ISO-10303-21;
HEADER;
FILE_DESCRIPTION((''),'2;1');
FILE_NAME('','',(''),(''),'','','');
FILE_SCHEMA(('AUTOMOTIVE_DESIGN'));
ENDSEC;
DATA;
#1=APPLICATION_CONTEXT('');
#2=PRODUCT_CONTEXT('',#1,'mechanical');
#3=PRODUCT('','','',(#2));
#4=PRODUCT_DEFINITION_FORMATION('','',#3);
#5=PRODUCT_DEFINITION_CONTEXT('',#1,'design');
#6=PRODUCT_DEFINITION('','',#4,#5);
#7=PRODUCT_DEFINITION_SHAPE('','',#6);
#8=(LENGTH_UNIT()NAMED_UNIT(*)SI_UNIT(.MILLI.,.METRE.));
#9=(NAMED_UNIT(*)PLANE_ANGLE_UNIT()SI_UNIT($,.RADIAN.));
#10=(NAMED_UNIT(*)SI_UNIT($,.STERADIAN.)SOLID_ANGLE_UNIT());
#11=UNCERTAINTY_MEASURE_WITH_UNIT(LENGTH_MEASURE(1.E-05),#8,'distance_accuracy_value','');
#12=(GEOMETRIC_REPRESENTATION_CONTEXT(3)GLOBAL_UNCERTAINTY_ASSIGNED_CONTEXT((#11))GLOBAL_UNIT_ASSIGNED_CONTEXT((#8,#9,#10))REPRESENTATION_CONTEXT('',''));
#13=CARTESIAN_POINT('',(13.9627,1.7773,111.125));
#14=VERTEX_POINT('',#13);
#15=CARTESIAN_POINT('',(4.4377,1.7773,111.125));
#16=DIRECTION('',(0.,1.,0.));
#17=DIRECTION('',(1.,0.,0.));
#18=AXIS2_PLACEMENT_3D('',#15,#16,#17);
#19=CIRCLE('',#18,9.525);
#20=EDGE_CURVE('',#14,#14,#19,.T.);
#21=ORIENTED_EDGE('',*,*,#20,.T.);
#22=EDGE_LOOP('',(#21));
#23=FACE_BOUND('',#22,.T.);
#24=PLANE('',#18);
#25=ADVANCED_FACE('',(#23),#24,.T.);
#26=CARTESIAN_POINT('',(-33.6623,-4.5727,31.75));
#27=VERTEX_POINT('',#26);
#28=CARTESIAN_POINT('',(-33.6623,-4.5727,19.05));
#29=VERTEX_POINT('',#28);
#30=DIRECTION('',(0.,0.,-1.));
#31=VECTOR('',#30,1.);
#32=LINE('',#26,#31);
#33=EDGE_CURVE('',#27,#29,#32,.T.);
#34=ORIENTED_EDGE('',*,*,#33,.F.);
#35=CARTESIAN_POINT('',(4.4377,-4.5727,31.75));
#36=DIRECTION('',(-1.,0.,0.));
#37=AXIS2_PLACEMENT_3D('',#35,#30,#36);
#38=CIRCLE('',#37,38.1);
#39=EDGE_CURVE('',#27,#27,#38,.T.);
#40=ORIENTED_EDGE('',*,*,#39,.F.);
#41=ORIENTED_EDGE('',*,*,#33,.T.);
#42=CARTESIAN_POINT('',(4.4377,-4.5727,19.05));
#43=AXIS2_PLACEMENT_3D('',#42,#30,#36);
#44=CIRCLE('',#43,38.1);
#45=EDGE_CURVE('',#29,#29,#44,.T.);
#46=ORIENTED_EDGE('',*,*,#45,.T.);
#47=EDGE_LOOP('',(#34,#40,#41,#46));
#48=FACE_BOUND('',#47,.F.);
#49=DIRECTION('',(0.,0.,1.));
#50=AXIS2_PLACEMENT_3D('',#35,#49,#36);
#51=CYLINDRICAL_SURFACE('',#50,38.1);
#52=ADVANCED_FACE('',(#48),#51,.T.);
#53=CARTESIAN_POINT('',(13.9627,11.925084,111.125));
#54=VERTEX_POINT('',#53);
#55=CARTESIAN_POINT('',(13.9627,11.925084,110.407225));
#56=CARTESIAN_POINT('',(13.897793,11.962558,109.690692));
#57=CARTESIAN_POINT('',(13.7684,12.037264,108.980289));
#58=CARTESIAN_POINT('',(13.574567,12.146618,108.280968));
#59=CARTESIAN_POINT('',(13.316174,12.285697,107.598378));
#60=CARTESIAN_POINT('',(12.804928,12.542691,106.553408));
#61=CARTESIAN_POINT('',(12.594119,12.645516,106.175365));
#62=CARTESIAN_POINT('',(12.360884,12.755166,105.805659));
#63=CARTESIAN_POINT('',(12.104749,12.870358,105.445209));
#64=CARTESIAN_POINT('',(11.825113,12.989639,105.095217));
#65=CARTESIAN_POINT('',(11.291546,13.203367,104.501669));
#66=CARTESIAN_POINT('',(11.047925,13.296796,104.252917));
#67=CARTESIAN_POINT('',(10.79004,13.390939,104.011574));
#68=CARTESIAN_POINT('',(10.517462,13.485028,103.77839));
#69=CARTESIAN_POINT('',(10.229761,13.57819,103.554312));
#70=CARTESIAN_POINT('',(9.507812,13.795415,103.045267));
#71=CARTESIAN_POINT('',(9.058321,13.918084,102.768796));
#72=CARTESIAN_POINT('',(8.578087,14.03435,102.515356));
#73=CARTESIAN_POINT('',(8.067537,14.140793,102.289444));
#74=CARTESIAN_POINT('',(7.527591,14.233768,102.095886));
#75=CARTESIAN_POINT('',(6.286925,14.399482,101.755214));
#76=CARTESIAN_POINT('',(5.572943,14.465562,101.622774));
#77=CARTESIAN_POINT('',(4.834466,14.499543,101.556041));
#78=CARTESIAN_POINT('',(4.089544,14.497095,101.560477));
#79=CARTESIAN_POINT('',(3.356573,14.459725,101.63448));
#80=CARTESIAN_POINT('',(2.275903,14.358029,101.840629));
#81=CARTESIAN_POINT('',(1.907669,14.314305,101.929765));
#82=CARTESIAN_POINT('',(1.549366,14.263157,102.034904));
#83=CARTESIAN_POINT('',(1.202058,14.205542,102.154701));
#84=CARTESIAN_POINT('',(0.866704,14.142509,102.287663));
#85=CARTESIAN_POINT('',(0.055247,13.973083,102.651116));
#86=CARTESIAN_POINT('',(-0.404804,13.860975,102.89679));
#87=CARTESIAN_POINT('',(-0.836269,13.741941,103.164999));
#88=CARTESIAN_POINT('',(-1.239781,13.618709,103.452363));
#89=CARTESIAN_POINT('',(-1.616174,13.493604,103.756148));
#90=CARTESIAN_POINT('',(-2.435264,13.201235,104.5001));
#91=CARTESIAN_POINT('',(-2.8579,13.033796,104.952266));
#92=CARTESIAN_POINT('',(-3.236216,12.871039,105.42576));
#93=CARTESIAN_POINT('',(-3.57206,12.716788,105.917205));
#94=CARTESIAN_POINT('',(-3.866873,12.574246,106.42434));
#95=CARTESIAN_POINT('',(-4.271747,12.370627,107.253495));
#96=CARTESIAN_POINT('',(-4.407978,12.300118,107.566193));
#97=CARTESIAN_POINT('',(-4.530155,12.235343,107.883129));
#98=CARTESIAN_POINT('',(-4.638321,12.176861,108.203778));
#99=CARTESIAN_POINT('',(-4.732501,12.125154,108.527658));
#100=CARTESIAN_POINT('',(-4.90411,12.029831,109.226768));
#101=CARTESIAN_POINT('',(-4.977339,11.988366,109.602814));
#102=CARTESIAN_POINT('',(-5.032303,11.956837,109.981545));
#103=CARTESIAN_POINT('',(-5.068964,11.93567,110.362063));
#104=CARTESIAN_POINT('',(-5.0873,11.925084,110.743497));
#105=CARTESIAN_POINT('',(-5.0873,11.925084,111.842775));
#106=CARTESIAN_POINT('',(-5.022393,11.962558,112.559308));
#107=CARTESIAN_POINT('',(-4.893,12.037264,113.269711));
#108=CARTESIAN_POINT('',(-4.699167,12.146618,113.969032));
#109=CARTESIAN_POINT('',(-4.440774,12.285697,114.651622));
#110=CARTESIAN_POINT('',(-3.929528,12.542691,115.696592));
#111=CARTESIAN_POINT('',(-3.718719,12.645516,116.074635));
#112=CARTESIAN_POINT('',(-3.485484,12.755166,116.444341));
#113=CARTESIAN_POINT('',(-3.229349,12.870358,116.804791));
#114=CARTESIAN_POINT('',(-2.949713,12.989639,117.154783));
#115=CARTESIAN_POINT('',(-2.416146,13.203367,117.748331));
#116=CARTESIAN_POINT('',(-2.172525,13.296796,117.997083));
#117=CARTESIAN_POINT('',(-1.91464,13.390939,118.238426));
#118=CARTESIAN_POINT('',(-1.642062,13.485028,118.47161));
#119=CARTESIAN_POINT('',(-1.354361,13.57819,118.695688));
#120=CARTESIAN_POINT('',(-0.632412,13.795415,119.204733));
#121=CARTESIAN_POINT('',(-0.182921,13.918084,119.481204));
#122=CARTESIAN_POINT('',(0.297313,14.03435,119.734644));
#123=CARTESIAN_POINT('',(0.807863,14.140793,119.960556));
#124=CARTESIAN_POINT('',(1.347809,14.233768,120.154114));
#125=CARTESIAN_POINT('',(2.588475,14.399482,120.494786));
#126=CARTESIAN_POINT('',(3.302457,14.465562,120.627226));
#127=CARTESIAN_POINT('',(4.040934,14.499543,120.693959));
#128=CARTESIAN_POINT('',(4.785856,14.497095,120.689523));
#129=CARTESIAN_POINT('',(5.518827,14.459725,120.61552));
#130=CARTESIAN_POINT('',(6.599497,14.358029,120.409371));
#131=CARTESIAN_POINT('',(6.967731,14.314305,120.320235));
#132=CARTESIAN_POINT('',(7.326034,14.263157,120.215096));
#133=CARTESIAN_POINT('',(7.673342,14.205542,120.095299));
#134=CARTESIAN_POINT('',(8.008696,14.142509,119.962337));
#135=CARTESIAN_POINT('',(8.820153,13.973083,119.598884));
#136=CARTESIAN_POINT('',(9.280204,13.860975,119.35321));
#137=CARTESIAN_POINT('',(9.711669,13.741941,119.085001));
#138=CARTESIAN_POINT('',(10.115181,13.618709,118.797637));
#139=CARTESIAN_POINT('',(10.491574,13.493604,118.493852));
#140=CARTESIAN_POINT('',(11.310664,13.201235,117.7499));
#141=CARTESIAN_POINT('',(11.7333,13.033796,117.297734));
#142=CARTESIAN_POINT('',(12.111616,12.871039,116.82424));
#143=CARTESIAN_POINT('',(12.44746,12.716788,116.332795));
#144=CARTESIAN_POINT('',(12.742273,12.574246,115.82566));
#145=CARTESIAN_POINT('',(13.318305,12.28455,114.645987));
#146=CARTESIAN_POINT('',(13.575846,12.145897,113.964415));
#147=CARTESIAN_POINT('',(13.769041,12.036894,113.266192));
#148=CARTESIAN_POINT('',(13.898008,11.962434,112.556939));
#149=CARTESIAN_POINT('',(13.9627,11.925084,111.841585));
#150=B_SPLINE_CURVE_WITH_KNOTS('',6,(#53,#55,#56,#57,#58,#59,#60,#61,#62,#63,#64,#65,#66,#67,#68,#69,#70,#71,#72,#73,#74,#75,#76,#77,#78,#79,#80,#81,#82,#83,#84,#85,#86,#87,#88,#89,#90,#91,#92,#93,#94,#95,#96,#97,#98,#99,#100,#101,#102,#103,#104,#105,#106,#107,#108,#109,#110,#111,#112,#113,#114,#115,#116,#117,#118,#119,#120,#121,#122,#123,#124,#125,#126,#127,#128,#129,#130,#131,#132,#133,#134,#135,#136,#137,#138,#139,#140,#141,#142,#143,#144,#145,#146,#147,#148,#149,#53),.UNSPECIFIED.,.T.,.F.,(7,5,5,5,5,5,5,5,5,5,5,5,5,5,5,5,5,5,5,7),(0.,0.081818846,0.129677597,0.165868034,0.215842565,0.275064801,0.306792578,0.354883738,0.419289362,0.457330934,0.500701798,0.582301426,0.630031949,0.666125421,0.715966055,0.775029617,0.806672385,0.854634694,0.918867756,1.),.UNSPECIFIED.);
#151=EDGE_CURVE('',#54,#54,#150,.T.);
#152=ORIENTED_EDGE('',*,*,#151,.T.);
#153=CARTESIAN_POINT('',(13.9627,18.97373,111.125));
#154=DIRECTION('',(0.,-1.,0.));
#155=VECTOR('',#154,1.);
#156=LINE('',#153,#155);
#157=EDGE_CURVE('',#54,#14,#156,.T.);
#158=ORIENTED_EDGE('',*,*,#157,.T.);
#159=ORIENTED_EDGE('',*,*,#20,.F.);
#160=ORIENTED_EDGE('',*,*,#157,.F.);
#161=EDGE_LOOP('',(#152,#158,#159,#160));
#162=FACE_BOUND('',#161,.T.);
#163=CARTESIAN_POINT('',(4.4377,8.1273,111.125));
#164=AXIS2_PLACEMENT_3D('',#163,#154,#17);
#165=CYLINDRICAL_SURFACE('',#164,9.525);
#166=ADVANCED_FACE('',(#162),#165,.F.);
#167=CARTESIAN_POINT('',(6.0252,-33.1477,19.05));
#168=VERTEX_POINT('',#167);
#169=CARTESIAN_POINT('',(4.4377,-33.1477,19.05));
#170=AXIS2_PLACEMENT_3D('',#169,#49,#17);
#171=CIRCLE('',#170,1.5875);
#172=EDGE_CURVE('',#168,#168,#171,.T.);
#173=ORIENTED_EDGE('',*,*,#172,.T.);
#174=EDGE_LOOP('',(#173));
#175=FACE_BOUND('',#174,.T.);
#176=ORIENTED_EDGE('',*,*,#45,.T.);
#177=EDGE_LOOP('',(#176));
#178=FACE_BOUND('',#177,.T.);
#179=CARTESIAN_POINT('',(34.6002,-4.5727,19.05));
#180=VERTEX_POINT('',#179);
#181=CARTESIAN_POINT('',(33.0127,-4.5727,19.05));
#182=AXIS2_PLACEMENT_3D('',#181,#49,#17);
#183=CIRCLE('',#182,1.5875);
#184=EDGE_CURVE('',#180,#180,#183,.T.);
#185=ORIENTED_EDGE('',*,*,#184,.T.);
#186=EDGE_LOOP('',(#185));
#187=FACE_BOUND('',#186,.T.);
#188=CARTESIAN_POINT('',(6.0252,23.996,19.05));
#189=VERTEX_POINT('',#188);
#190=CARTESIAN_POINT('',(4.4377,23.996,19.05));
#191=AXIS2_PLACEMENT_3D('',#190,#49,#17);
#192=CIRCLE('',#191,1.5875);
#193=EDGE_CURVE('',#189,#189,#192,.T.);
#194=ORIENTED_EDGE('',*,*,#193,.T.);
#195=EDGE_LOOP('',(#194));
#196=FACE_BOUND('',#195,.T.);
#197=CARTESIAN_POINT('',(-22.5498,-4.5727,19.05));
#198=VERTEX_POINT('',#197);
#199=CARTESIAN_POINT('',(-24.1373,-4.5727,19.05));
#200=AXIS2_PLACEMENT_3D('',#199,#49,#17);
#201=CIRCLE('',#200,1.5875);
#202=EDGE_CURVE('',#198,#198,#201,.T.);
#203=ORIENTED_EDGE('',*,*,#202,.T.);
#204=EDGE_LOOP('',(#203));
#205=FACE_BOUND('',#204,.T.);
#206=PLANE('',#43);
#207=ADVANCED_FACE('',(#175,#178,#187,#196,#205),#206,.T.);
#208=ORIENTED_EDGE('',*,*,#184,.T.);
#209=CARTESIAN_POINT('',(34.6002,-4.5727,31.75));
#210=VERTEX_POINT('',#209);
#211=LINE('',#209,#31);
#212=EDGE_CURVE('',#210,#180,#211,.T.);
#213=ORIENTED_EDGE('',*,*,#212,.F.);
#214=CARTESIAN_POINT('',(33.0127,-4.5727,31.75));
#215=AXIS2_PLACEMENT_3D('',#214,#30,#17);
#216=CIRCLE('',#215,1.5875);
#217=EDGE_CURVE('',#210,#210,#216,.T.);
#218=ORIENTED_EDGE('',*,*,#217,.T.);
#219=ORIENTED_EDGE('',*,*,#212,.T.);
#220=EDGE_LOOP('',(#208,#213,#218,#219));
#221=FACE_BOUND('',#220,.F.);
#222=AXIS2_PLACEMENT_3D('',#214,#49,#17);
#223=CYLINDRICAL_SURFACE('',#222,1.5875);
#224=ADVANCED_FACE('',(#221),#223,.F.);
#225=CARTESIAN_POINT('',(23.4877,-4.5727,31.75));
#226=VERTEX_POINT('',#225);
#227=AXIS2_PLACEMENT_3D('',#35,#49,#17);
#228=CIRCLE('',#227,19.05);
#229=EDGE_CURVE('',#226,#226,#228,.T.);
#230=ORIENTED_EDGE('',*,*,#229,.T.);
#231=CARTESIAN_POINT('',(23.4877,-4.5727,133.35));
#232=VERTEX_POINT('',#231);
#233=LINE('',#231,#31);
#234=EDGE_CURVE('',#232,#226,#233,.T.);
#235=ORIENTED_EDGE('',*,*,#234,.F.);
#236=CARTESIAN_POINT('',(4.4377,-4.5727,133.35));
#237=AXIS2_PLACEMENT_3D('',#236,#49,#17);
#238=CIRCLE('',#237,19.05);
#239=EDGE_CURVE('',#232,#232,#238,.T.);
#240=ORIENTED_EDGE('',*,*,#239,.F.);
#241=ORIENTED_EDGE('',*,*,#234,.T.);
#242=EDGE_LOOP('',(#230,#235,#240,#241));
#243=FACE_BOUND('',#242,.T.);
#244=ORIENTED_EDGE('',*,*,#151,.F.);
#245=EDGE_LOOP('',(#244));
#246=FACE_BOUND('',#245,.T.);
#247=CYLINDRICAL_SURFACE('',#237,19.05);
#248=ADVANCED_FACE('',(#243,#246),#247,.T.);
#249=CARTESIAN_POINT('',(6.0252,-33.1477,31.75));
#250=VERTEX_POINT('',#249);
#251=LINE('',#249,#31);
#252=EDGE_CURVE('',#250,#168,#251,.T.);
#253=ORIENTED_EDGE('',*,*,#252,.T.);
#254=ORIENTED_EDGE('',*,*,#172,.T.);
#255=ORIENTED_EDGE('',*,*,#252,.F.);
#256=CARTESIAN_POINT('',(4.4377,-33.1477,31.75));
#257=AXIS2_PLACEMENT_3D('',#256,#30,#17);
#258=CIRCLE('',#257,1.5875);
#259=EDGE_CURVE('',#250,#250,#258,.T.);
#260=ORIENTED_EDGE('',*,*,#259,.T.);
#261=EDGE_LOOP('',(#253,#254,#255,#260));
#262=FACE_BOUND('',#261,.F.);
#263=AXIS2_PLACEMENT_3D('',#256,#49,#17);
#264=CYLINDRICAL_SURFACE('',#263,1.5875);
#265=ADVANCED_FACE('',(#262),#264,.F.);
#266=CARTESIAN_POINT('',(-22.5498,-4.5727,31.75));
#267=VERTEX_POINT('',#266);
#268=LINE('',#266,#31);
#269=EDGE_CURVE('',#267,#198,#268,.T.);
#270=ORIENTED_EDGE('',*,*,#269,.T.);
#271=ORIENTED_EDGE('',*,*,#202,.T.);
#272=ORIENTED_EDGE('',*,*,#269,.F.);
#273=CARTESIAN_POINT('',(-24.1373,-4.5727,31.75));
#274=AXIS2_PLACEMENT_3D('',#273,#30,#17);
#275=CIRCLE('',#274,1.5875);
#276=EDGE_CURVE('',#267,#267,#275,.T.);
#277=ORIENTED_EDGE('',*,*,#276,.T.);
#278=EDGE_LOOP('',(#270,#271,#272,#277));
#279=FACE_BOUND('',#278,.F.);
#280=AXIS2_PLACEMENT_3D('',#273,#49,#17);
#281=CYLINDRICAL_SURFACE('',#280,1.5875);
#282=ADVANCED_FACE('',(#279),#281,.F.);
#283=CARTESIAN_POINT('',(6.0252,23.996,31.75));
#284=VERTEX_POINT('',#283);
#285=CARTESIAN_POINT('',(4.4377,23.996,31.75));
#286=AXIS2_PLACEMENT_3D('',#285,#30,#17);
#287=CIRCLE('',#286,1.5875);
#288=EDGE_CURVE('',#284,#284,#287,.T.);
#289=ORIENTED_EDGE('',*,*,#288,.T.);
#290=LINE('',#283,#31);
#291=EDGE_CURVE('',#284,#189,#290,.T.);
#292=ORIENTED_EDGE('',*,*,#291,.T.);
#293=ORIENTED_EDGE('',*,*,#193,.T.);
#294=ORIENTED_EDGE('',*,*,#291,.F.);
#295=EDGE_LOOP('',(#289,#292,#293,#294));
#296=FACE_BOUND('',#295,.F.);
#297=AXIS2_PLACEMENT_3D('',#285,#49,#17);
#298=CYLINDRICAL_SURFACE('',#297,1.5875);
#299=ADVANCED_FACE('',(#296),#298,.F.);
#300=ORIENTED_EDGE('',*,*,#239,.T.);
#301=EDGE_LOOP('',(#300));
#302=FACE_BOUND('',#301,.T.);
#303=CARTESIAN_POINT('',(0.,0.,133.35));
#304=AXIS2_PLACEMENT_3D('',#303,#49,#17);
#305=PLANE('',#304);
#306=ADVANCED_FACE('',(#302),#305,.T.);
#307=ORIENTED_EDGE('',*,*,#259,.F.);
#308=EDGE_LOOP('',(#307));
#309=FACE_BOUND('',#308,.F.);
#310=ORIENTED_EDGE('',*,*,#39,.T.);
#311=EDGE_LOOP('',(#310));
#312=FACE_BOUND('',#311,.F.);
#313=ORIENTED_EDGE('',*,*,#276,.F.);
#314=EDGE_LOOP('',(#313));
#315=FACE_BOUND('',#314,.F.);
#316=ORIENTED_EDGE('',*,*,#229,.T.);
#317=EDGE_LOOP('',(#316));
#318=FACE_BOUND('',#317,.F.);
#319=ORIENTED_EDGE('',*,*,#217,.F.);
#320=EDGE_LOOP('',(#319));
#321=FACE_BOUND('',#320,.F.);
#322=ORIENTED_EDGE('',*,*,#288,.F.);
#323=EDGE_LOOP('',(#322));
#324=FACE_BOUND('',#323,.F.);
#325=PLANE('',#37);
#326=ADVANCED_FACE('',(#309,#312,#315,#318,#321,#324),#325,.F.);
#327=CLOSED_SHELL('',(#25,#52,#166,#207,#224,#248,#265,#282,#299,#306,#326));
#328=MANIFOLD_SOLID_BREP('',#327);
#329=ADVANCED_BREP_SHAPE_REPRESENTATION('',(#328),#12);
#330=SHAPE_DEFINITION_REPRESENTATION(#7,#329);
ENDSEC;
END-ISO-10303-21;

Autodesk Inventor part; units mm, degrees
ref_plane "YZ Plane" through (0, 0, 0) normal (1, 0, 0) x (0, 1, 0)
ref_plane "XZ Plane" through (0, 0, 0) normal (0, 1, 0) x (-1, 0, 0)
ref_plane "Work Plane6" through (0, 0, 31.75) normal (0, 0, 1) x (1, 0, 0)
sketch "Sketch4" plane through (0, 0, 31.75) normal (0, 0, 1) x (1, 0, 0)
  line L0 (17.1377, 8.1273) -> (-8.2623, 8.1273) projected
  line L1 (4.4377, 8.1273) -> (4.4377, -17.2727)
  line L2 (-8.2623, -17.2727) -> (17.1377, -17.2727) projected
  circle A0 centre (4.4377, -4.5727) radius 25.4
  point P0 (0, 0)
  dimension "d11" = 50.8
extrude "Extrusion4" add sketch "Sketch4" along normal blind 101.6
ref_plane "Work Plane2" through (-8.2623, 8.1273, 0) normal (0, 1, 0) x (1, 0, 0)
sketch "Sketch5" plane through (-8.2623, 8.1273, 0) normal (0, 1, 0) x (1, 0, 0)
  line L0 (25.4, 0) -> (0, 0) projected
  line L1 (-12.7, -133.35) -> (38.1, -133.35) projected
  circle A0 centre (12.7, -111.125) radius 9.525
  point P0 (8.2623, 0)
extrude "Extrusion5" cut sketch "Sketch5" along normal blind 101.6
sketch "Sketch6" plane through (4.4377, 8.1273, 111.125) normal (0, 1, 0) x (1, 0, 0)
  circle A0 centre (0, 0) radius 9.525
  point P0 (-4.4377, 111.125)
extrude "Extrusion6" cut sketch "Sketch6" against normal blind 6.35
sketch "Sketch13" plane through (4.4377, -4.5727, 31.75) normal (0, 0, -1) x (-1, 0, 0)
  circle A0 centre (0, 0) radius 38.1
  point P0 (4.4377, 4.5727)
  dimension "d36" = 76.2
extrude "Extrusion11" add sketch "Sketch13" along normal blind 12.7
sketch "Sketch14" plane through (4.4377, -4.5727, 133.35) normal (0, 0, 1) x (1, 0, 0)
  circle A0 centre (0, 0) radius 19.05
  circle A1 centre (0, 0) radius 25.4
  point P0 (-4.4377, 4.5727)
  dimension "d39" = 38.1
extrude "Extrusion12" cut sketch "Sketch14" against normal blind 101.6
sketch "Sketch15" plane through (4.4377, -4.5727, 31.75) normal (0, 0, 1) x (1, 0, 0)
  circle A0 centre (0, 0) radius 19.05 projected
  line L0 (-19.05, 0) -> (-38.1, 0)
  circle A1 centre (0, 0) radius 38.1 projected
  line L1 (0, 38.1) -> (0, 19.0375)
  line L2 (19.05, 0) -> (38.1, 0)
  line L3 (0, -19.05) -> (0, -38.1)
  circle A2 centre (-28.575, 0) radius 1.5875
  circle A3 centre (28.575, 0) radius 1.5875
  circle A4 centre (0, 28.5687) radius 1.5875
  circle A5 centre (0, -28.575) radius 1.5875
  point P0 (-4.4377, 4.5727)
  dimension "d42" = 3.175
  dimension "d43" = 3.175
  dimension "d44" = 3.175
  dimension "d45" = 3.175
extrude "Extrusion13" cut sketch "Sketch15" against normal blind 101.6 contours A2 L0 | L0 A2 | A5 L3 | L3 A5 | A4 L1 | L1 A4 | A3 L2 | L2 A3
properties part number "CrankP1_SBail"
